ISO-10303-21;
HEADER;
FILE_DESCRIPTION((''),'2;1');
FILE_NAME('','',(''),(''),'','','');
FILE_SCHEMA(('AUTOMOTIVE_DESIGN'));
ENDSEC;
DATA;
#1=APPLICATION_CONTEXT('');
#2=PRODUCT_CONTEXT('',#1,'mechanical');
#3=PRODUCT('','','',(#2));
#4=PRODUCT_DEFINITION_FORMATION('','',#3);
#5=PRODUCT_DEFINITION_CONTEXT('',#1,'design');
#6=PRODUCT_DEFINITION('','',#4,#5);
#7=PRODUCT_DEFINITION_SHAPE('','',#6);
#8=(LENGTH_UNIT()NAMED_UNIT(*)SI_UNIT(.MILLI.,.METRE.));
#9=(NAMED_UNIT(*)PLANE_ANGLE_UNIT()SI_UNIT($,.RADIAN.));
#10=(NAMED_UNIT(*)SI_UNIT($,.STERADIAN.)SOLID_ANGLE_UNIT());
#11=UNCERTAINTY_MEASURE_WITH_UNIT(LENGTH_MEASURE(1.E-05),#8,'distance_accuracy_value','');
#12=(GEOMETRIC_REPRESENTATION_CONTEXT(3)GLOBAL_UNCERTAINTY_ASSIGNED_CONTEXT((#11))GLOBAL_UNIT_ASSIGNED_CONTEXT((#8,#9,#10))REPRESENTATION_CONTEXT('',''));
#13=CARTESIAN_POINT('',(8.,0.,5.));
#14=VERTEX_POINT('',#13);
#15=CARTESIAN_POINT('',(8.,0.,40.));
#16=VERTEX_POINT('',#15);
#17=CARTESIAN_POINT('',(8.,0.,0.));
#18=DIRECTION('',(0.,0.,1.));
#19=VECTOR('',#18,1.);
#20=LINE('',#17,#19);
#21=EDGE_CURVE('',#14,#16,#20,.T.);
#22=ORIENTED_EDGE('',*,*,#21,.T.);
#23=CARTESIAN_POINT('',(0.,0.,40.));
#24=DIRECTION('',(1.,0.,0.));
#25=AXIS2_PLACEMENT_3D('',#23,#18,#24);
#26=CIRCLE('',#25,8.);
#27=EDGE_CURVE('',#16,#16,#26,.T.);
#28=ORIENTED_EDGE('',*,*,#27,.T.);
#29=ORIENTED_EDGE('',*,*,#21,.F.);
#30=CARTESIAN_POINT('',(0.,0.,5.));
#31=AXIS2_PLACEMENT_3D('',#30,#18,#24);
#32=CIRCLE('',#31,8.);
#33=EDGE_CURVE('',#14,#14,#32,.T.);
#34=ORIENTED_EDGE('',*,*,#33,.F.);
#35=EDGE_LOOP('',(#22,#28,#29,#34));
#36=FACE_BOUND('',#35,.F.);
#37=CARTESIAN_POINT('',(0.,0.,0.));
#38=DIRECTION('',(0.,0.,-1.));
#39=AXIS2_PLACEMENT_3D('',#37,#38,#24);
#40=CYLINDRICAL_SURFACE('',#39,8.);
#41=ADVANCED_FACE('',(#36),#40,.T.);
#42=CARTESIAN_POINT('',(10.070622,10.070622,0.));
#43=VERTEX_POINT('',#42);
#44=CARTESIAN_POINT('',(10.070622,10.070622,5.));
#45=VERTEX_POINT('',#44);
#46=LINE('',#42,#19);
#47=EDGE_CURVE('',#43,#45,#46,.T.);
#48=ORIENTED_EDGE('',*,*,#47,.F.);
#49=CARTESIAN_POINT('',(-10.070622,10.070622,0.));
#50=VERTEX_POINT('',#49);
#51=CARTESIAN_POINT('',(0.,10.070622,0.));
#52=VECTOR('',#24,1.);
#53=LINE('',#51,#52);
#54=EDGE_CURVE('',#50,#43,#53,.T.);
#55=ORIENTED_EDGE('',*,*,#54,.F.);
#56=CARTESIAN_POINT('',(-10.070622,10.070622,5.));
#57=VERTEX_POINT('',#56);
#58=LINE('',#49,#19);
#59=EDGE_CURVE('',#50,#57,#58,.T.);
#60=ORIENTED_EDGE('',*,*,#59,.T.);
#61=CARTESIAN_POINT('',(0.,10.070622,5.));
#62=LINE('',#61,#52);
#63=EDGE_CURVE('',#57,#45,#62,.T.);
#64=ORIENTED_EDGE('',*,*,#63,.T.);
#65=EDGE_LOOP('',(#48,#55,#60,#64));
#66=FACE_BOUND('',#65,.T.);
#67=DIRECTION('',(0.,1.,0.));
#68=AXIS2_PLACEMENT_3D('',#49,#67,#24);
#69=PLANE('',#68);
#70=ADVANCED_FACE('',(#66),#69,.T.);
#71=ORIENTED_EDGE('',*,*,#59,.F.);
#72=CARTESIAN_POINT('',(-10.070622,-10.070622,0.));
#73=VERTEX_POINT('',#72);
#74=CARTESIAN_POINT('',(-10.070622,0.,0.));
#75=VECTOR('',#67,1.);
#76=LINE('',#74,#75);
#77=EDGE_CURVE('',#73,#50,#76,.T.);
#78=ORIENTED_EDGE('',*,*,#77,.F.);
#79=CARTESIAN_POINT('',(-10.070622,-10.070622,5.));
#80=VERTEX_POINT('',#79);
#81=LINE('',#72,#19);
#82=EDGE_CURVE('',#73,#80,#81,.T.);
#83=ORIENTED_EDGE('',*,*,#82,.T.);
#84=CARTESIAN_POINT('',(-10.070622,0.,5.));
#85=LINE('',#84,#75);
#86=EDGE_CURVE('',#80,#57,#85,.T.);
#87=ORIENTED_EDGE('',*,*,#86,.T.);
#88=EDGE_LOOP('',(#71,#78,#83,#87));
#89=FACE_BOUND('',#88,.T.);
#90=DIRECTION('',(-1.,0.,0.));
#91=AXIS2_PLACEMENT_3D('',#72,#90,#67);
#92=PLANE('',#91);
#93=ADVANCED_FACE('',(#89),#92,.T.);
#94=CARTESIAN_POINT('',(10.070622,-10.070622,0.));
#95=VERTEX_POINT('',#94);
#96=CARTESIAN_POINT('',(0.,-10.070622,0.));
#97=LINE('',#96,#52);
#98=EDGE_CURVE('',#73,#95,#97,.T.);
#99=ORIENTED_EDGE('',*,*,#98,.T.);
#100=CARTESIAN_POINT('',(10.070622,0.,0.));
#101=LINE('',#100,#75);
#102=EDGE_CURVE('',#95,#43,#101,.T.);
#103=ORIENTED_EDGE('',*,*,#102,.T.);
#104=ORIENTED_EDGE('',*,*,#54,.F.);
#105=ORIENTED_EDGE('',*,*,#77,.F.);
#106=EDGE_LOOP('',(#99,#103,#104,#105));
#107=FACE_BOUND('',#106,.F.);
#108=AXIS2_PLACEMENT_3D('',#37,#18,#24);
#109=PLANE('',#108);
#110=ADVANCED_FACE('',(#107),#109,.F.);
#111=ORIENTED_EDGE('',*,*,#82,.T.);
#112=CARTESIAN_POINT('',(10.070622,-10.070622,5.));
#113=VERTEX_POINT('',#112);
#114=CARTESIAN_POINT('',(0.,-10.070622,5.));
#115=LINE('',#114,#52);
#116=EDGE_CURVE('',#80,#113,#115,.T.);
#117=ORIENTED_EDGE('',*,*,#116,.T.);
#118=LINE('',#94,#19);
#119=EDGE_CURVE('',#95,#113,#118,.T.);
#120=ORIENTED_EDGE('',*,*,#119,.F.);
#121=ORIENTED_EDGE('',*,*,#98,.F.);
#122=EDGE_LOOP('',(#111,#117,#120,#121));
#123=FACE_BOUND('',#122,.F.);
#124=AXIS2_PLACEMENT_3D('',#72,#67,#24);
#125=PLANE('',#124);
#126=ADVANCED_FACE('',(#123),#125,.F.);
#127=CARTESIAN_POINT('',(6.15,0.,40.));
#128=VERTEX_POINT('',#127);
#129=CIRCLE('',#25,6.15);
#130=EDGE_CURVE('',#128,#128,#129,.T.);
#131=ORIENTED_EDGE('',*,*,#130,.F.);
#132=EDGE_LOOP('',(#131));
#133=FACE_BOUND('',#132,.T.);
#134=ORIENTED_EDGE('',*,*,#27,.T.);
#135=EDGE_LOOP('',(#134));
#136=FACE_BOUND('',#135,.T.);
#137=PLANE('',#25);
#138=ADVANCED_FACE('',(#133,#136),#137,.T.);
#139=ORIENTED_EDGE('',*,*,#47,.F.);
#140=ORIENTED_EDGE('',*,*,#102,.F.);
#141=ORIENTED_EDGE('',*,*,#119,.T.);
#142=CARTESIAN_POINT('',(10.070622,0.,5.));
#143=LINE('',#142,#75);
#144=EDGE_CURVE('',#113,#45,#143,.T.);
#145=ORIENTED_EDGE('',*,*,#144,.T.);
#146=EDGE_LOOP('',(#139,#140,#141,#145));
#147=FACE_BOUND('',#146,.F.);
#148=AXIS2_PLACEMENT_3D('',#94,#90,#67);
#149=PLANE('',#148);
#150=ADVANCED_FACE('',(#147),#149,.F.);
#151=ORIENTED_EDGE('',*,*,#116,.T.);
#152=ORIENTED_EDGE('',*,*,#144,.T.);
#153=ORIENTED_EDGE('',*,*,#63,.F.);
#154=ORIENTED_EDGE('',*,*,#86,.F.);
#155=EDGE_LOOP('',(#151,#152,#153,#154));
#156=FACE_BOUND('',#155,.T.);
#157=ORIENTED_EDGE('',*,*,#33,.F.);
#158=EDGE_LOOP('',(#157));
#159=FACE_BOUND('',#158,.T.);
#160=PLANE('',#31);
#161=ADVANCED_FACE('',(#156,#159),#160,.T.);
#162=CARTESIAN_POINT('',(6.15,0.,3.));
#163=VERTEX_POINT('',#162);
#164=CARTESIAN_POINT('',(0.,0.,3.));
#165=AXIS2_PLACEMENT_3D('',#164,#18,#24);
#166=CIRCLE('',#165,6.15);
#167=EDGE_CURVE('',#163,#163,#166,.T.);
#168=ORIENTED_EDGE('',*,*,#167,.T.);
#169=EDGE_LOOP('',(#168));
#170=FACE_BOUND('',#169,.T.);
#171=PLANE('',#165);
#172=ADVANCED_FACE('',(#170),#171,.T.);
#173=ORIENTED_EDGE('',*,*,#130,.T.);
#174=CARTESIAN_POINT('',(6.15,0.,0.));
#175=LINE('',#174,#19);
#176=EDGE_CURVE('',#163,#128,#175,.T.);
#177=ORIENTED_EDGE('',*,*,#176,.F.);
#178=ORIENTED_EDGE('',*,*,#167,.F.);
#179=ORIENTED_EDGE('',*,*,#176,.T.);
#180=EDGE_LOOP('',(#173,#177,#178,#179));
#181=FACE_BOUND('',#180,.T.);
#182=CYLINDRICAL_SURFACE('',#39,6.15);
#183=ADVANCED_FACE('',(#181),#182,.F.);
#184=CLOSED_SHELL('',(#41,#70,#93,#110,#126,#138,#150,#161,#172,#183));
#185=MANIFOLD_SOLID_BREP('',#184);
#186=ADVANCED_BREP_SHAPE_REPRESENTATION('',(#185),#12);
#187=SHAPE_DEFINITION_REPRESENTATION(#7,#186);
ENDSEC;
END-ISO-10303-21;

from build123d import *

# Parameters (mm, degrees)
F0_W     = 20.141244
F0_H     = 20.141244
F0_R     = 8
F1_DEPTH = 5
F0_R_2   = 6.15
F2_DEPTH = 40
F3_DEPTH = 3


with BuildPart() as f1:
    # F0 (on Top) → F1 (new body)
    with BuildSketch(Plane.XY):
        Rectangle(F0_W, F0_H)
        Circle(F0_R, mode=Mode.SUBTRACT)
    extrude(amount=F1_DEPTH)

    # F0 (on Top) → F2 (join)
    with BuildSketch(Plane.XY):
        Circle(F0_R)
        Circle(F0_R_2, mode=Mode.SUBTRACT)
    extrude(amount=F2_DEPTH)

    # F0 (on Top) → F3 (join)
    with BuildSketch(Plane.XY):
        Circle(F0_R_2)
    extrude(amount=F3_DEPTH)


solid = f1.part
